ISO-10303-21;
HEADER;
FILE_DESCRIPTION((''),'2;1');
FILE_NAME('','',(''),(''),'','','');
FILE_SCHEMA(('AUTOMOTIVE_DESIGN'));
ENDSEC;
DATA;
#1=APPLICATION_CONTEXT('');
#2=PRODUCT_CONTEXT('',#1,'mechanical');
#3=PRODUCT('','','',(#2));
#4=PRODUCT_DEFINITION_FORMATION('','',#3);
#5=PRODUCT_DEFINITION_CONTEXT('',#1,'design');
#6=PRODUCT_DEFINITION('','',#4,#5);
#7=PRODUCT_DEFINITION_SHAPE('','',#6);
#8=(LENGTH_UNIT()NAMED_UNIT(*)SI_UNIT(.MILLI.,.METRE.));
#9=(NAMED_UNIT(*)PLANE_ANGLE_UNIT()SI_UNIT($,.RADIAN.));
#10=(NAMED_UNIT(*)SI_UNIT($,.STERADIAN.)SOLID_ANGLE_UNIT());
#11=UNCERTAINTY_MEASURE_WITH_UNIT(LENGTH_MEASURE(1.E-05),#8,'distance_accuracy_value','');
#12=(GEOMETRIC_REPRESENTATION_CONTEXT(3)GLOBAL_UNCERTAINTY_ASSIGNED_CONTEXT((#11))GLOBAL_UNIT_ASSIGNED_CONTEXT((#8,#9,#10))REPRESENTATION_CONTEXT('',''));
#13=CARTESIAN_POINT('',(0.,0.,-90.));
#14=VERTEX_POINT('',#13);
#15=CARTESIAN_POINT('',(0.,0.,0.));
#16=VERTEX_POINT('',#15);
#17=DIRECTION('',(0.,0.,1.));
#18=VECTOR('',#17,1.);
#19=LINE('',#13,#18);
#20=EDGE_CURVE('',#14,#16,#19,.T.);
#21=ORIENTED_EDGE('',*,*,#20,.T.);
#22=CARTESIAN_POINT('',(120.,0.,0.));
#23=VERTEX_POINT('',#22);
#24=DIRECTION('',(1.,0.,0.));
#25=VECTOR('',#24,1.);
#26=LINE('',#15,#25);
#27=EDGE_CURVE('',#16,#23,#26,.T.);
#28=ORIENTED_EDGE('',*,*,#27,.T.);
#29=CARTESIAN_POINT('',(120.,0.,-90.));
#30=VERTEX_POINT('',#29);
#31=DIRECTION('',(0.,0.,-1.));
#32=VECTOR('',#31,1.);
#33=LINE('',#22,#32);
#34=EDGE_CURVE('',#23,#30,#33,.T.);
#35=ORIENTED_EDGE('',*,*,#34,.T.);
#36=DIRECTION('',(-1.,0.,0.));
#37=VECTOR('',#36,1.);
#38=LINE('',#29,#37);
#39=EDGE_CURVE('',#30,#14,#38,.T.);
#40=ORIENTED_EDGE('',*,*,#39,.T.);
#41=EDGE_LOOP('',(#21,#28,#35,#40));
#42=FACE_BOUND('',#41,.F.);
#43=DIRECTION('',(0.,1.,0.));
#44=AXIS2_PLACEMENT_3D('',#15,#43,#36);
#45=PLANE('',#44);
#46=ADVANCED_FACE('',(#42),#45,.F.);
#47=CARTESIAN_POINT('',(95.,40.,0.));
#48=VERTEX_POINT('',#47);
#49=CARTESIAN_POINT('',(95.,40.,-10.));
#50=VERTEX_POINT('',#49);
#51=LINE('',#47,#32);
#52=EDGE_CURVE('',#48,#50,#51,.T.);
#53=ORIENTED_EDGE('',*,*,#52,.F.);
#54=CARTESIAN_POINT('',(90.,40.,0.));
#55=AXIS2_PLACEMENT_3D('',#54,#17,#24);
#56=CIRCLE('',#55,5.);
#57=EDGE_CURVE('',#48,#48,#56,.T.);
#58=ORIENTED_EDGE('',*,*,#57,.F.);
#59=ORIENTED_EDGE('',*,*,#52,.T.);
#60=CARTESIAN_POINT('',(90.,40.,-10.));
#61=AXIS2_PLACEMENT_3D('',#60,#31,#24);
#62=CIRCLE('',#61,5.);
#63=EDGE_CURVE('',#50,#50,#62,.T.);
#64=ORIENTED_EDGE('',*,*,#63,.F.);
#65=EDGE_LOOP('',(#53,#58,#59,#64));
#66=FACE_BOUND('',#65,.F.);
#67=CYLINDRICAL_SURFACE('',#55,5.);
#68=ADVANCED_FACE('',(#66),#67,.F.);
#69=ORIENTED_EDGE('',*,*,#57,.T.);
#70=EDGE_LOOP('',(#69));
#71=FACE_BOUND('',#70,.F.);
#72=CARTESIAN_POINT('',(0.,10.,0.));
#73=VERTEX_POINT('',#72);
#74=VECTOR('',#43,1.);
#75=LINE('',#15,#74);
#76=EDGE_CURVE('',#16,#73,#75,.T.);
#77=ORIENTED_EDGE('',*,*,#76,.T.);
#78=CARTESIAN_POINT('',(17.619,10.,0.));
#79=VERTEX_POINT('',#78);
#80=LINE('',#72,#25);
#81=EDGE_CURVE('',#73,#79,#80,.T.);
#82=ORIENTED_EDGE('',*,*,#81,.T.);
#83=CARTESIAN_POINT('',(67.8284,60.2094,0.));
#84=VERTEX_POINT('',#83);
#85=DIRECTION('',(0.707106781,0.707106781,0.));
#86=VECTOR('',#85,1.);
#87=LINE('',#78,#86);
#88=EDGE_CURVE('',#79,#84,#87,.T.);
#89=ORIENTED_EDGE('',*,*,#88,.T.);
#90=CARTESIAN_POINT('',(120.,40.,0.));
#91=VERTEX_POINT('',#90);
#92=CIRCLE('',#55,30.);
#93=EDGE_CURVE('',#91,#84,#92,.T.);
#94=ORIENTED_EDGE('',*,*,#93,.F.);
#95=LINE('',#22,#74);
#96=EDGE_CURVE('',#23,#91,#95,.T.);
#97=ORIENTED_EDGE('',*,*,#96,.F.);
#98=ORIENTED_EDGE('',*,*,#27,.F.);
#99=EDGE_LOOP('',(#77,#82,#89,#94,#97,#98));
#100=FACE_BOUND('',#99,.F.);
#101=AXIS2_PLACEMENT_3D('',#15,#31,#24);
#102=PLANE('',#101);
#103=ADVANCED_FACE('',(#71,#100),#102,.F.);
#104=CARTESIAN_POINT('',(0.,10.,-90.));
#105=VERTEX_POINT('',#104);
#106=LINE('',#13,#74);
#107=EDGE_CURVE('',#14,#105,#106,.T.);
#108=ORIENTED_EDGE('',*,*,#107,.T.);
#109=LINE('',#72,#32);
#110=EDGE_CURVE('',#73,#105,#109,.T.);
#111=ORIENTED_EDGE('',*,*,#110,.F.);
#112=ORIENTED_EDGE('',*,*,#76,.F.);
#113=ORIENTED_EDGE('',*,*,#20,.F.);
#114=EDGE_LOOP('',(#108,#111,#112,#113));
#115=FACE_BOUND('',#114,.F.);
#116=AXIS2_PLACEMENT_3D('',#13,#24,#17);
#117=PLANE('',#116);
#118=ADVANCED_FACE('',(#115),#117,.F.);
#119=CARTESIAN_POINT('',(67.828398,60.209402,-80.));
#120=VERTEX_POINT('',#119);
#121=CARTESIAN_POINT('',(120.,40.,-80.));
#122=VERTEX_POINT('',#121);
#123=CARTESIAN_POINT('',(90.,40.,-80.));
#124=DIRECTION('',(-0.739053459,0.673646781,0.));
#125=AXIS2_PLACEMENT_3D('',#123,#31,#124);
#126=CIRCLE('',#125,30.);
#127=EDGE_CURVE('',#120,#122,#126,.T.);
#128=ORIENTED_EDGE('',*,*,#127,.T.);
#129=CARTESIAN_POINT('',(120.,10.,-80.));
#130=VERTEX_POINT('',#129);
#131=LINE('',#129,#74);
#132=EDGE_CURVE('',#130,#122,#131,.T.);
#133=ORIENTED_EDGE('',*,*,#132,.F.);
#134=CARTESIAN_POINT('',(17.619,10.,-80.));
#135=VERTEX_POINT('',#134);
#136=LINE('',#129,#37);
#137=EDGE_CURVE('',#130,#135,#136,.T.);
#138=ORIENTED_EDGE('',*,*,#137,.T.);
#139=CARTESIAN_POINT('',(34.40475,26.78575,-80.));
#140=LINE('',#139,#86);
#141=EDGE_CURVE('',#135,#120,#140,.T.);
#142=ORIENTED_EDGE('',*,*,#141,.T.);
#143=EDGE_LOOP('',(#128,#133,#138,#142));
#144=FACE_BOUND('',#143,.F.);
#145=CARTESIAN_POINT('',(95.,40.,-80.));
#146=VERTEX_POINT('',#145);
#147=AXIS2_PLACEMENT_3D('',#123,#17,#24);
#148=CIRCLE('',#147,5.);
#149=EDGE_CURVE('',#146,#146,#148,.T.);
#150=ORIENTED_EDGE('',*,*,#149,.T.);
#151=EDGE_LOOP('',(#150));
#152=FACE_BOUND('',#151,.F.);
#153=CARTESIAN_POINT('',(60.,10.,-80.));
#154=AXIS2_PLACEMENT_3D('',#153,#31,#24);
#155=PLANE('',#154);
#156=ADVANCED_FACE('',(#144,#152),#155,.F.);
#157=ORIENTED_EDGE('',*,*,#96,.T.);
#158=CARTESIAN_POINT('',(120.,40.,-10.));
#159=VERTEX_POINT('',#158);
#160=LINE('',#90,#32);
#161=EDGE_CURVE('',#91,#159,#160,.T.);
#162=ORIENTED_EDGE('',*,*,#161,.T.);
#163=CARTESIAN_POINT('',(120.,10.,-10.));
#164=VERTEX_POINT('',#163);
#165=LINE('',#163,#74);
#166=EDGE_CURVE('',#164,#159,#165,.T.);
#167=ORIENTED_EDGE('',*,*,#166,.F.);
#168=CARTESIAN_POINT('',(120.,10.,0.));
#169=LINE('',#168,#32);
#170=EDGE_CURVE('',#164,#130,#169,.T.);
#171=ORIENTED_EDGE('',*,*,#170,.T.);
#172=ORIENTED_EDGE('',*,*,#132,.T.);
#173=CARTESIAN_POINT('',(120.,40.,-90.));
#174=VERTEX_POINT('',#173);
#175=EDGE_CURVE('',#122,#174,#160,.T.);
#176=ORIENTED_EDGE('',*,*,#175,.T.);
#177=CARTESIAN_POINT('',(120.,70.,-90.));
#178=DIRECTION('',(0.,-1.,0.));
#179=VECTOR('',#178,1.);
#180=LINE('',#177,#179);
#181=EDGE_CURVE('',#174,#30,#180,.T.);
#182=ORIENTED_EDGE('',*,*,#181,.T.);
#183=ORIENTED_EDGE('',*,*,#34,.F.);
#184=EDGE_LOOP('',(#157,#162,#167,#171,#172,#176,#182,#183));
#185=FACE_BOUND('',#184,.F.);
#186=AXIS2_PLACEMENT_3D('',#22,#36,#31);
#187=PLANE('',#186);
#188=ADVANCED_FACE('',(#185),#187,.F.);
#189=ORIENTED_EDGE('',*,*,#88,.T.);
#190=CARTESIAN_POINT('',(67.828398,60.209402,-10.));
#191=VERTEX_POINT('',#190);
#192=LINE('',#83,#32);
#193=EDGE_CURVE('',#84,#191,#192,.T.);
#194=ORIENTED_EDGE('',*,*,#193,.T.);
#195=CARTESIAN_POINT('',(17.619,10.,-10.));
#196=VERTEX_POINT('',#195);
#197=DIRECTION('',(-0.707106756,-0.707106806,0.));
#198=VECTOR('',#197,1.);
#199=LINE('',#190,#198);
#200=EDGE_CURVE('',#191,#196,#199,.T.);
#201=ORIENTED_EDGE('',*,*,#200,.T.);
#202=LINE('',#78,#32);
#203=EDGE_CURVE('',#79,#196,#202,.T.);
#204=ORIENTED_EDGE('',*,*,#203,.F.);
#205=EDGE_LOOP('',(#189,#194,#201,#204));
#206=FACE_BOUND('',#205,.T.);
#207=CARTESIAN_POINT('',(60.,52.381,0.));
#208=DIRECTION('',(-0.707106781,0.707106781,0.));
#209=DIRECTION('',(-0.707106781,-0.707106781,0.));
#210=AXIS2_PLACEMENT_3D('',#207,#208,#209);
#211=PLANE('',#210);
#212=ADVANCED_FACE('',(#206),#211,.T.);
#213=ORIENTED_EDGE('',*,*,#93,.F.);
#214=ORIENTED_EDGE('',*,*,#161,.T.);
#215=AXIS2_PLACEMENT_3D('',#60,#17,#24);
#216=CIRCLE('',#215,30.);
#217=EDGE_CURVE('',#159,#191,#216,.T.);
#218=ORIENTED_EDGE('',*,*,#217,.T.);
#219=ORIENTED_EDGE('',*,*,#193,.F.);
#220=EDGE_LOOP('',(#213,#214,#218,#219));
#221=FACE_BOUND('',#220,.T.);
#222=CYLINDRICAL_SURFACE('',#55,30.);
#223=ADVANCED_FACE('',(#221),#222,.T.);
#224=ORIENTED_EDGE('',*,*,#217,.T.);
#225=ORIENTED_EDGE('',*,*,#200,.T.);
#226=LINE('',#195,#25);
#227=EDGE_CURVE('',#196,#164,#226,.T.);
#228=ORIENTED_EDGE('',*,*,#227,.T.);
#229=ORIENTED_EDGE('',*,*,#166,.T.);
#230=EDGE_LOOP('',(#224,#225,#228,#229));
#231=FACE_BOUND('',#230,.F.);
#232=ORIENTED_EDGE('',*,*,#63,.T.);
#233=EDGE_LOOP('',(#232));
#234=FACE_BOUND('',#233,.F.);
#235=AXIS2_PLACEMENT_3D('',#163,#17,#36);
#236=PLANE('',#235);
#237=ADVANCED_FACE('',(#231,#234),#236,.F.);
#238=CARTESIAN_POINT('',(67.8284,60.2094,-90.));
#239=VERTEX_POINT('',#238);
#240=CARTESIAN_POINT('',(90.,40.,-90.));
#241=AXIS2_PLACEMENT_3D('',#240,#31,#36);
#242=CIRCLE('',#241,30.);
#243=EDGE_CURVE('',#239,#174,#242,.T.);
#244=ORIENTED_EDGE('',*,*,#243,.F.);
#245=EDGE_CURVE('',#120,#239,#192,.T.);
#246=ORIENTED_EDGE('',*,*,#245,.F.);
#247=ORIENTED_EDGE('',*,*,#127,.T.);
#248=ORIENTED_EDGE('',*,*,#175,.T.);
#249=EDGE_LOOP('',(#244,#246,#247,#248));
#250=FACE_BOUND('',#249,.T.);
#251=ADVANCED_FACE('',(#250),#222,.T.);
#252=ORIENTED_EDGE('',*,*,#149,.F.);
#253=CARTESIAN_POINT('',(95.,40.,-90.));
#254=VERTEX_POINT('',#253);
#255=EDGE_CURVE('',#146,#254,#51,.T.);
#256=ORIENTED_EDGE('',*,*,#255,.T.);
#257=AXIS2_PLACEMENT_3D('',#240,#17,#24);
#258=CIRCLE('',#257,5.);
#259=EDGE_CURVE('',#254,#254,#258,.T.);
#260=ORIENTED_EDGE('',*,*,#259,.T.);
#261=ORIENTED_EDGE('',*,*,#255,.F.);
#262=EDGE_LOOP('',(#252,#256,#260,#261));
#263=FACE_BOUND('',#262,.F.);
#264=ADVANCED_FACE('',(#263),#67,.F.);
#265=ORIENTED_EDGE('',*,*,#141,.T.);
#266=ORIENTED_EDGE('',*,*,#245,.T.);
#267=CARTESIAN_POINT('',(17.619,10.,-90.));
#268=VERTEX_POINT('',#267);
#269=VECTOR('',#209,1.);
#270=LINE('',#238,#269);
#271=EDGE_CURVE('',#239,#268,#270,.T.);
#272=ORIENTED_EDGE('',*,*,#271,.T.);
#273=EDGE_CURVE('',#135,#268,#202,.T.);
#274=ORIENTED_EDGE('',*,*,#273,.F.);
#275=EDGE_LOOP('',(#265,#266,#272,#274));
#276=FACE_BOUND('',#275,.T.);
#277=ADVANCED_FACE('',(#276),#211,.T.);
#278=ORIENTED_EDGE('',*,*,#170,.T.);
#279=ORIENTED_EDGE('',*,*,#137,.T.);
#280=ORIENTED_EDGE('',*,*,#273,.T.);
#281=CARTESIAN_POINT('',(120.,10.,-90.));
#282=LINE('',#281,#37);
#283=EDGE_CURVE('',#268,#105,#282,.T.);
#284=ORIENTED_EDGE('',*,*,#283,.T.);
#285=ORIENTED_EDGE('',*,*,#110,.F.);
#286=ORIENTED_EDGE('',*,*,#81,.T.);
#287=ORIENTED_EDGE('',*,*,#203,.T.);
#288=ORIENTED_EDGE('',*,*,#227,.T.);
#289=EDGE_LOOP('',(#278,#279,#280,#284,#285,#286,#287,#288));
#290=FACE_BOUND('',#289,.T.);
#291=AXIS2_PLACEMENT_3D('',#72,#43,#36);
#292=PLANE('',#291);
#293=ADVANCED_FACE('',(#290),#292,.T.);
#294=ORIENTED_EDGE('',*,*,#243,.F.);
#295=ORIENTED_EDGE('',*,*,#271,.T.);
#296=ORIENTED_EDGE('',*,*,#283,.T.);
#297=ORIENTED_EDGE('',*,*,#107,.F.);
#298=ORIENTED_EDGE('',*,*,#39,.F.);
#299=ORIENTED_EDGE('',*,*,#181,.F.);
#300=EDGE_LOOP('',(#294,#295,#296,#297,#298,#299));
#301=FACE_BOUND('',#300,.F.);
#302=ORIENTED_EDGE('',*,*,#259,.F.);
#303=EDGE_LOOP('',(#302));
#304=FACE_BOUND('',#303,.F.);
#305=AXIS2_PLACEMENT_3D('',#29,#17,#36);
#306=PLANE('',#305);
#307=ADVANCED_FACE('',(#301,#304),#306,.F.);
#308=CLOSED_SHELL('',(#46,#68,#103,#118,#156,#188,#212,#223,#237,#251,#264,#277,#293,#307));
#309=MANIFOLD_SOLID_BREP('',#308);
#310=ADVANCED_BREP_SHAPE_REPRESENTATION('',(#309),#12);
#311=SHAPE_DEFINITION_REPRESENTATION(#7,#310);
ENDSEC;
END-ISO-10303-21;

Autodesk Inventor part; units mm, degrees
ref_plane "YZ Plane" through (0, 0, 0) normal (1, 0, 0) x (0, 1, 0)
ref_plane "XZ Plane" through (0, 0, 0) normal (0, 1, 0) x (-1, 0, 0)
ref_plane "XY Plane" through (0, 0, 0) normal (0, 0, 1) x (1, 0, 0)
sketch "Sketch1" plane through (0, 0, 0) normal (0, 1, 0) x (-1, 0, 0)
  line L0 (0, 0) -> (-120, 0)
  line L1 (-120, 0) -> (-120, -90)
  line L2 (-120, -90) -> (0, -90)
  line L3 (0, -90) -> (0, 0)
  dimension "d0" = 120
  dimension "d1" = 90
extrude "Extrusion1" add sketch "Sketch1" along normal blind 10
sketch "Sketch2" plane through (0, 10, 0) normal (0, 1, 0) x (1, 0, 0)
  point P0 (0, 0)
sketch "Sketch3" plane through (0, 10, 0) normal (0, 1, 0) x (1, 0, 0)
  line L0 (120, 0) -> (120, 90) projected
  line L1 (120, 0) -> (120, 10)
  line L2 (120, 10) -> (60, 10)
  line L3 (0, 0) -> (120, 0) projected
  line L4 (60, 10) -> (60, 0)
  line L5 (60, 0) -> (120, 0)
  line L6 (60, 0) -> (60, 90) construction
  line L7 (60, 90) -> (60, 80)
  line L8 (60, 80) -> (120, 80)
  line L9 (60, 90) -> (120, 90)
  line L10 (120, 90) -> (120, 80)
  dimension "d4" = 10
  dimension "d5" = 60
  dimension "d6" = 10
extrude "Extrusion2" add sketch "Sketch3" along normal blind 60
sketch "Sketch4" plane through (0, 0, 0) normal (0, 0, 1) x (1, 0, 0)
  line L0 (60, 10) -> (60, 70) projected
  line L1 (120, 0) -> (120, 70) projected
  line L2 (60, 70) -> (120, 70)
  line L3 (120, 70) -> (120, 20)
  line L4 (120, 20) -> (60, 20)
  line L5 (60, 20) -> (60, 70)
  circle A0 centre (90, 40) radius 30
  circle A1 centre (90, 40) radius 5
  line L6 (67.8284, 60.2094) -> (135.2299, 60.2094) construction
  line L7 (67.8284, 60.2094) -> (17.619, 10)
  line L8 (60, 10) -> (0, 10) projected
  line L9 (67.8284, 60.2094) -> (138.8353, 60.2094) construction
  line L10 (120, 10) -> (60, 10) projected
  line L11 (17.619, 10) -> (60, 10)
  line L12 (60, 10) -> (60, 40)
  point P0 (0, 0)
  point P1 (90, 70)
  point P2 (120, 40)
  dimension "d9" = 50
  dimension "d10" = 10
  dimension "d14" = 135
extrude "Extrusion3" cut sketch "Sketch4" against normal blind 100 contours L0 L7 A0 | L0 L2 A0 L7 | A0 L2 L1 | A1
extrude "Extrusion4" add sketch "Sketch4" against normal blind 90 contours L8 L7 L0 | L0 L7 A0
sketch "Sketch5" plane through (0, 0, 0) normal (1, 0, 0) x (0, 1, 0)
  line L0 (10, -10) -> (40, -10) projected
  line L1 (10, -10) -> (10, -80) projected
  line L2 (10, -10) -> (10, -80)
  line L3 (10, -80) -> (63.3463, -80)
  line L4 (63.3463, -80) -> (63.3463, -10)
  line L5 (63.3463, -10) -> (10, -10)
  point P0 (0, 0)
  dimension "d19" = 70
extrude "Extrusion5" cut sketch "Sketch5" along normal blind 90
properties part number "Foot" material "Aluminum 6061"
